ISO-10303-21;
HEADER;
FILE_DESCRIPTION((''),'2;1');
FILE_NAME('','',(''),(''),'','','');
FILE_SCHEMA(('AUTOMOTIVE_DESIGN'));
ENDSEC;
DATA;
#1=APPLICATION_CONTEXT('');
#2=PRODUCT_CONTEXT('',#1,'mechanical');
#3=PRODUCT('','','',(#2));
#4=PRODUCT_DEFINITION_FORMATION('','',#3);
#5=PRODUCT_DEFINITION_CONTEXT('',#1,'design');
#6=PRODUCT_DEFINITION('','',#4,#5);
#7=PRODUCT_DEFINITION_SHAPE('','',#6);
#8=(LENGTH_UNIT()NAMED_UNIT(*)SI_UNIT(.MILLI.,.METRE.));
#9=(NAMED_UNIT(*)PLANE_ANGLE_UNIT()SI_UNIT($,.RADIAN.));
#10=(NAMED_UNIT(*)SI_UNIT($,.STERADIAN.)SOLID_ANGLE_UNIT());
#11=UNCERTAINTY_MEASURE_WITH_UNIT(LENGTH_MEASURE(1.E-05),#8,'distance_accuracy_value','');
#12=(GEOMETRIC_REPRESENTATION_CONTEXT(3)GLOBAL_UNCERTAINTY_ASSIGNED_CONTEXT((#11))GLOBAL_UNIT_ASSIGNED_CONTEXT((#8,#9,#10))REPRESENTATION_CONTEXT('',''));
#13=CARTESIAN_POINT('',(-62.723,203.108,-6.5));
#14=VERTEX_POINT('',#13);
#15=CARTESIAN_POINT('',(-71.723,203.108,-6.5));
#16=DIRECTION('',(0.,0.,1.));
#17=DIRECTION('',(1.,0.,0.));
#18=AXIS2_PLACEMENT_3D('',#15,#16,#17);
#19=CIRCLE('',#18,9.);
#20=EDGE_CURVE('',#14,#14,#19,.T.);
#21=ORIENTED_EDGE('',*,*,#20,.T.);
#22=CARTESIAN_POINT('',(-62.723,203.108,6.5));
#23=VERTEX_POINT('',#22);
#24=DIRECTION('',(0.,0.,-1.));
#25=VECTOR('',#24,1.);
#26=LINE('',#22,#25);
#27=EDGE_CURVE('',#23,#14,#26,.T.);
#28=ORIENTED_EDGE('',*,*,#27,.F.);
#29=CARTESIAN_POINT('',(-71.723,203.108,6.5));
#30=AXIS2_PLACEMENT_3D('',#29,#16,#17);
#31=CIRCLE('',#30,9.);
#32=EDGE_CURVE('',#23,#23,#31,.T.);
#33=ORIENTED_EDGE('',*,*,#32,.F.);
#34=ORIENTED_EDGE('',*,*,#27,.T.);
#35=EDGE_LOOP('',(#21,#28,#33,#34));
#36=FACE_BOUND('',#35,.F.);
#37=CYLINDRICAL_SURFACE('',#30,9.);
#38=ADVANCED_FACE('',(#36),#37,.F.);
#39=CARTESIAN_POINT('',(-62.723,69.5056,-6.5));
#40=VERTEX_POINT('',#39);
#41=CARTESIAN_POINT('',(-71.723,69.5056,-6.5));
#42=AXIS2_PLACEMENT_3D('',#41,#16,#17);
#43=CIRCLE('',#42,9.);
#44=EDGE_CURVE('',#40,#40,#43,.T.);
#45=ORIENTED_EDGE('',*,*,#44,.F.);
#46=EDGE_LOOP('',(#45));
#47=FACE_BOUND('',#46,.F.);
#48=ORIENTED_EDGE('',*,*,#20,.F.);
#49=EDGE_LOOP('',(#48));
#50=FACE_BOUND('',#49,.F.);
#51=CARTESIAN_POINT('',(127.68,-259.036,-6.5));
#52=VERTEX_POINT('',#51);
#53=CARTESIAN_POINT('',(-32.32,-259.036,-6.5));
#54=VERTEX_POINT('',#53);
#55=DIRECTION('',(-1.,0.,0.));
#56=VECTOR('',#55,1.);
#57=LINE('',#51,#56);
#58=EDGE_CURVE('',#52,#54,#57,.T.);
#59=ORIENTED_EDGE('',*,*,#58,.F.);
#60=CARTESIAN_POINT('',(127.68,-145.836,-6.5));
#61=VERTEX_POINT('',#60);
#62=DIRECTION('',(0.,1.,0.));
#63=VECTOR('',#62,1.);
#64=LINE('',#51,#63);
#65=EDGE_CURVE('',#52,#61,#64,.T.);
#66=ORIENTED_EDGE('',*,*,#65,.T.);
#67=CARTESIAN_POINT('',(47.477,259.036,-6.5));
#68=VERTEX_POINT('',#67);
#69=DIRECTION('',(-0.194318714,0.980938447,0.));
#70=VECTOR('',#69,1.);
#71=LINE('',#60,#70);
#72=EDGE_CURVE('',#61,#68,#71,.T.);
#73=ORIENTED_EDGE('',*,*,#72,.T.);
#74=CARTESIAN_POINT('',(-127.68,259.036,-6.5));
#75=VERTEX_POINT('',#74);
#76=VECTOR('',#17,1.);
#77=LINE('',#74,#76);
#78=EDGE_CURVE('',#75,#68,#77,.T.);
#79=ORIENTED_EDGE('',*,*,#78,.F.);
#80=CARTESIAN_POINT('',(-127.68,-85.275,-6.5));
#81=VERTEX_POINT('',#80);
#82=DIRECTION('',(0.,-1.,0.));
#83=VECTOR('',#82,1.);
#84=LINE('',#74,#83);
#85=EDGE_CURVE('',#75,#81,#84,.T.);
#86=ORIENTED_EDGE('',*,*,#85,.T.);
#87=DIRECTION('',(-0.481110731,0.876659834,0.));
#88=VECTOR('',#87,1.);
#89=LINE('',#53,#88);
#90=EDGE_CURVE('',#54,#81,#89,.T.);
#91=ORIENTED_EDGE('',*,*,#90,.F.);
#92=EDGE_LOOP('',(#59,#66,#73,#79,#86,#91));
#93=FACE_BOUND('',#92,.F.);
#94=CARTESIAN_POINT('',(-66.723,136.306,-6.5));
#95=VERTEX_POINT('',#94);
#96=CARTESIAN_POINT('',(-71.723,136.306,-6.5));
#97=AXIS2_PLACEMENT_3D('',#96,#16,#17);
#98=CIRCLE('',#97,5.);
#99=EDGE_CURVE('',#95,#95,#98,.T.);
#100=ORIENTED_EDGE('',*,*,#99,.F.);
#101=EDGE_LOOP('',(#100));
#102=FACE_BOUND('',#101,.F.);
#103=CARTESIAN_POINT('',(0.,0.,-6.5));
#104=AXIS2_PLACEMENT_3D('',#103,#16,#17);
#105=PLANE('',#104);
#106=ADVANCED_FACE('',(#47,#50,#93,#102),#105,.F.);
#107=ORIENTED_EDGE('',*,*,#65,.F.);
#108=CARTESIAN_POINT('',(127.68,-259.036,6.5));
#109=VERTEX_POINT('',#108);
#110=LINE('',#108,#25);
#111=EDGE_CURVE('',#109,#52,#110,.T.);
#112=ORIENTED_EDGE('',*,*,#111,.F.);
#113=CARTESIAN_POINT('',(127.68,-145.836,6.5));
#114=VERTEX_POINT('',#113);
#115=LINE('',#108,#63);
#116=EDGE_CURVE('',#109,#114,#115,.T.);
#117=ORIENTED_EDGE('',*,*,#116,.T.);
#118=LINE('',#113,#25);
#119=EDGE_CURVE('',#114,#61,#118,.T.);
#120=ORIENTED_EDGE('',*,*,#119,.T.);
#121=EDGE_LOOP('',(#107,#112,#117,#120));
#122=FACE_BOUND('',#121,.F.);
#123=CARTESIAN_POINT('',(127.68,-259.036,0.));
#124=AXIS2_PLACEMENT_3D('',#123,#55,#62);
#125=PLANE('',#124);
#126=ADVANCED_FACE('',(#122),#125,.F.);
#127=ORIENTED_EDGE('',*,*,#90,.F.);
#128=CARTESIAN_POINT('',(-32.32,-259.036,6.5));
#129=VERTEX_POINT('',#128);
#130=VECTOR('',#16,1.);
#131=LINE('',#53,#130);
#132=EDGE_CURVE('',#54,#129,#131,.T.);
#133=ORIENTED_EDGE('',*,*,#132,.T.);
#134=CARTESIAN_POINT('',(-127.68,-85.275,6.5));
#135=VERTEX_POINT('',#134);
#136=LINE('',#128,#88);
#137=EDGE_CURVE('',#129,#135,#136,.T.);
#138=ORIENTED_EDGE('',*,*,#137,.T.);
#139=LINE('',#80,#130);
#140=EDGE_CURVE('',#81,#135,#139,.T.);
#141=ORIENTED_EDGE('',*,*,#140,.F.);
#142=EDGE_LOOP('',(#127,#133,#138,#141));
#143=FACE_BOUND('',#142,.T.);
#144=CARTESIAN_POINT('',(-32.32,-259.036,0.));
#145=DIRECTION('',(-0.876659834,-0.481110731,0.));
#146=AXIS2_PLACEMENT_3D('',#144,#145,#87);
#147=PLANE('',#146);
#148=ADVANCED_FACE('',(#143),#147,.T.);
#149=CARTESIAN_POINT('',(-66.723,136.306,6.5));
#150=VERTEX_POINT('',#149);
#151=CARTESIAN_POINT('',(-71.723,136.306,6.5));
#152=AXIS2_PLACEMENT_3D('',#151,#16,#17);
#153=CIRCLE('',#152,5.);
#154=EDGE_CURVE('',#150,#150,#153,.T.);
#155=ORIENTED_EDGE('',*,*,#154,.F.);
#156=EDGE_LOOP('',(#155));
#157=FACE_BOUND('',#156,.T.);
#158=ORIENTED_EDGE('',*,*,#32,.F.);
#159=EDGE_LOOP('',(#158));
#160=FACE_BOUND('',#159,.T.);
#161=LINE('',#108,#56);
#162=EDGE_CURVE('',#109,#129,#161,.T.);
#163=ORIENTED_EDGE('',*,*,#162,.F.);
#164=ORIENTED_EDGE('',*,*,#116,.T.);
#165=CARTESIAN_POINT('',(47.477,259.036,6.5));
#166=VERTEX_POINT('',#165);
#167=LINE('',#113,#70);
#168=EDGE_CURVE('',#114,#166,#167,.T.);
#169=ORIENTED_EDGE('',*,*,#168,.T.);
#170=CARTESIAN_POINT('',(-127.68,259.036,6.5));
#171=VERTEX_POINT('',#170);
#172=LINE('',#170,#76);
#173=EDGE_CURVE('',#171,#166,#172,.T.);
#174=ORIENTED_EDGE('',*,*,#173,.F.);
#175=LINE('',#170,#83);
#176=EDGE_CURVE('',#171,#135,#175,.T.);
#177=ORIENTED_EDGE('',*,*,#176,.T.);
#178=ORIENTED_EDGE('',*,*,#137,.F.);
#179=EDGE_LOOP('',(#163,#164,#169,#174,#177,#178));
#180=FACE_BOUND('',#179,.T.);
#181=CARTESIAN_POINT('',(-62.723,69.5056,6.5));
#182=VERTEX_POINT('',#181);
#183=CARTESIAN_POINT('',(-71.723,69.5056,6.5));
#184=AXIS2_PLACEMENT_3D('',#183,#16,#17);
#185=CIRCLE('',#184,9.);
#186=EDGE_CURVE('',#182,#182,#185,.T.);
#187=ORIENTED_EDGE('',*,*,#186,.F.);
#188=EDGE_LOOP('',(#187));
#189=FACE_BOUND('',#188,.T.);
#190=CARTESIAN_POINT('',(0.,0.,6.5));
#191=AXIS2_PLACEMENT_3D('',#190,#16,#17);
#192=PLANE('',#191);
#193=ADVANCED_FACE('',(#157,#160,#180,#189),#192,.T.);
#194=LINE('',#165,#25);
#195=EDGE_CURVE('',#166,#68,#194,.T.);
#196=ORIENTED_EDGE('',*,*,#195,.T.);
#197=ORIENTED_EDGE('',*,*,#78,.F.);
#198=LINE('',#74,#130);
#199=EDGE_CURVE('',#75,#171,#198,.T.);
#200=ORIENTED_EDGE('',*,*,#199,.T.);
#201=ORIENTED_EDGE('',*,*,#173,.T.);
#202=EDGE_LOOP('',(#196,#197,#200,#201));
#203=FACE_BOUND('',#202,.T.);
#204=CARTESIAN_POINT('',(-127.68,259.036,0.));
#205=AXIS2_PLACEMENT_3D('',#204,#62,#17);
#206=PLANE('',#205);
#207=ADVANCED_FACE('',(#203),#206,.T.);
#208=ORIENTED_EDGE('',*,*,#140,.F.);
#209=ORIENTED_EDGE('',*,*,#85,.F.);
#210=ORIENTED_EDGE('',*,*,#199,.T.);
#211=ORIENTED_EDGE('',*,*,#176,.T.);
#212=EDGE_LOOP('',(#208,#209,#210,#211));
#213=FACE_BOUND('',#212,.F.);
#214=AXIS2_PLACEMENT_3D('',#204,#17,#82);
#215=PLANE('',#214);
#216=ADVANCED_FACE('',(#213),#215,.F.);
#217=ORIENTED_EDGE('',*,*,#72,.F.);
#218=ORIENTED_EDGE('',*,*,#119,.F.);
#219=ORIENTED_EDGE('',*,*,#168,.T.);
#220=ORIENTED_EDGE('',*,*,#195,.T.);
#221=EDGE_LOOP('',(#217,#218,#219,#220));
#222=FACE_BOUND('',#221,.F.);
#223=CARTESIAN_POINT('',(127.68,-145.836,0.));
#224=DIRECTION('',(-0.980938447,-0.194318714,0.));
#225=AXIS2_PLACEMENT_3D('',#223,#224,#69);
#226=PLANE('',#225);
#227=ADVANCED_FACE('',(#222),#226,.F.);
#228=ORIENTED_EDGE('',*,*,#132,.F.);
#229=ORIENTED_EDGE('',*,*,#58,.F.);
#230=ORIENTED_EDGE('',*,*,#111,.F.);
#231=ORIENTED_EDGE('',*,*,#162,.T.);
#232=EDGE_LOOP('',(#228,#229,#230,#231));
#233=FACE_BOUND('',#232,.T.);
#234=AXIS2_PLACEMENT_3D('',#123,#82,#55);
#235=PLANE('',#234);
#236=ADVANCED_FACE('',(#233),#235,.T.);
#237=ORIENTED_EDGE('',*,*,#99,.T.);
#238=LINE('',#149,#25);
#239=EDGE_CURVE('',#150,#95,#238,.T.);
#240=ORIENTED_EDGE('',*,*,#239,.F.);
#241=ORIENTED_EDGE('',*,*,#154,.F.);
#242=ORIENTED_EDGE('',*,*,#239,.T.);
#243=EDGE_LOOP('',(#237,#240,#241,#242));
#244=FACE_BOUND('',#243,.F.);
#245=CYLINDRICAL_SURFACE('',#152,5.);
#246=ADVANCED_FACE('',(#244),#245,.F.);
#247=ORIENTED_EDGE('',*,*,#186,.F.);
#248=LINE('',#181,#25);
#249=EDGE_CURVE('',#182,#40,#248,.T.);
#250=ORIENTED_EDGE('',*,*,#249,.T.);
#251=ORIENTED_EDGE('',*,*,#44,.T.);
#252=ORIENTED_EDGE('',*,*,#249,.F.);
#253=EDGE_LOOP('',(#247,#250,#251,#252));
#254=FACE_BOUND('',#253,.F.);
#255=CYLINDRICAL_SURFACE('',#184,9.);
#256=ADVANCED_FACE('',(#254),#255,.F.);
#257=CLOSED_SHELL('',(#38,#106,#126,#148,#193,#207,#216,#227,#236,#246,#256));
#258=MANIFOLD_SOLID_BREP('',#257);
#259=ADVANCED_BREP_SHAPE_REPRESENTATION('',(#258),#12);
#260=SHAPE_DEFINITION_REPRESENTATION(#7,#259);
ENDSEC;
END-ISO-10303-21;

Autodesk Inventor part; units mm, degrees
ref_plane "YZ Plane" through (0, 0, 0) normal (1, 0, 0) x (0, 1, 0)
ref_plane "XZ Plane" through (0, 0, 0) normal (0, 1, 0) x (-1, 0, 0)
ref_plane "XY Plane" through (0, 0, 0) normal (0, 0, 1) x (1, 0, 0)
sketch "Sketch1" plane through (0, 0, 0) normal (0, 0, 1) x (1, 0, 0)
  line L0 (-127.68, 259.036) -> (-127.68, -85.275)
  line L1 (-127.68, 259.036) -> (47.477, 259.036)
  line L2 (127.68, -259.036) -> (-32.32, -259.036)
  line L3 (-32.32, -259.036) -> (-127.68, -85.275)
  line L4 (127.68, -259.036) -> (127.68, -145.836)
  line L5 (127.68, -145.836) -> (47.477, 259.036)
  point P0 (0, 0)
  dimension "d6" = 344.311
  dimension "d7" = 175.157
  dimension "d9" = 160
  dimension "d10" = 113.2
extrude "Extrusion1" add sketch "Sketch1" along normal mid plane 13
sketch "Sketch2" plane through (0, 0, 6.5) normal (0, 0, 1) x (1, 0, 0)
  circle A0 centre (-71.723, 203.108) radius 9
  circle A1 centre (-71.723, 69.5056) radius 9
  line L0 (47.477, 259.036) -> (-127.68, 259.036) projected
  line L1 (-127.68, 259.036) -> (-127.68, -85.275) projected
  circle A2 centre (-71.723, 136.306) radius 5
  point P0 (0, 0)
  dimension "d17" = 55.957
  dimension "d39" = 10
  dimension "d43" = 55.928
  dimension "d44" = 66.8004
  dimension "d45" = 66.802
extrude "Extrusion4" cut sketch "Sketch2" against normal blind 25.4
properties part number "CNC-X-axis- side plates"
